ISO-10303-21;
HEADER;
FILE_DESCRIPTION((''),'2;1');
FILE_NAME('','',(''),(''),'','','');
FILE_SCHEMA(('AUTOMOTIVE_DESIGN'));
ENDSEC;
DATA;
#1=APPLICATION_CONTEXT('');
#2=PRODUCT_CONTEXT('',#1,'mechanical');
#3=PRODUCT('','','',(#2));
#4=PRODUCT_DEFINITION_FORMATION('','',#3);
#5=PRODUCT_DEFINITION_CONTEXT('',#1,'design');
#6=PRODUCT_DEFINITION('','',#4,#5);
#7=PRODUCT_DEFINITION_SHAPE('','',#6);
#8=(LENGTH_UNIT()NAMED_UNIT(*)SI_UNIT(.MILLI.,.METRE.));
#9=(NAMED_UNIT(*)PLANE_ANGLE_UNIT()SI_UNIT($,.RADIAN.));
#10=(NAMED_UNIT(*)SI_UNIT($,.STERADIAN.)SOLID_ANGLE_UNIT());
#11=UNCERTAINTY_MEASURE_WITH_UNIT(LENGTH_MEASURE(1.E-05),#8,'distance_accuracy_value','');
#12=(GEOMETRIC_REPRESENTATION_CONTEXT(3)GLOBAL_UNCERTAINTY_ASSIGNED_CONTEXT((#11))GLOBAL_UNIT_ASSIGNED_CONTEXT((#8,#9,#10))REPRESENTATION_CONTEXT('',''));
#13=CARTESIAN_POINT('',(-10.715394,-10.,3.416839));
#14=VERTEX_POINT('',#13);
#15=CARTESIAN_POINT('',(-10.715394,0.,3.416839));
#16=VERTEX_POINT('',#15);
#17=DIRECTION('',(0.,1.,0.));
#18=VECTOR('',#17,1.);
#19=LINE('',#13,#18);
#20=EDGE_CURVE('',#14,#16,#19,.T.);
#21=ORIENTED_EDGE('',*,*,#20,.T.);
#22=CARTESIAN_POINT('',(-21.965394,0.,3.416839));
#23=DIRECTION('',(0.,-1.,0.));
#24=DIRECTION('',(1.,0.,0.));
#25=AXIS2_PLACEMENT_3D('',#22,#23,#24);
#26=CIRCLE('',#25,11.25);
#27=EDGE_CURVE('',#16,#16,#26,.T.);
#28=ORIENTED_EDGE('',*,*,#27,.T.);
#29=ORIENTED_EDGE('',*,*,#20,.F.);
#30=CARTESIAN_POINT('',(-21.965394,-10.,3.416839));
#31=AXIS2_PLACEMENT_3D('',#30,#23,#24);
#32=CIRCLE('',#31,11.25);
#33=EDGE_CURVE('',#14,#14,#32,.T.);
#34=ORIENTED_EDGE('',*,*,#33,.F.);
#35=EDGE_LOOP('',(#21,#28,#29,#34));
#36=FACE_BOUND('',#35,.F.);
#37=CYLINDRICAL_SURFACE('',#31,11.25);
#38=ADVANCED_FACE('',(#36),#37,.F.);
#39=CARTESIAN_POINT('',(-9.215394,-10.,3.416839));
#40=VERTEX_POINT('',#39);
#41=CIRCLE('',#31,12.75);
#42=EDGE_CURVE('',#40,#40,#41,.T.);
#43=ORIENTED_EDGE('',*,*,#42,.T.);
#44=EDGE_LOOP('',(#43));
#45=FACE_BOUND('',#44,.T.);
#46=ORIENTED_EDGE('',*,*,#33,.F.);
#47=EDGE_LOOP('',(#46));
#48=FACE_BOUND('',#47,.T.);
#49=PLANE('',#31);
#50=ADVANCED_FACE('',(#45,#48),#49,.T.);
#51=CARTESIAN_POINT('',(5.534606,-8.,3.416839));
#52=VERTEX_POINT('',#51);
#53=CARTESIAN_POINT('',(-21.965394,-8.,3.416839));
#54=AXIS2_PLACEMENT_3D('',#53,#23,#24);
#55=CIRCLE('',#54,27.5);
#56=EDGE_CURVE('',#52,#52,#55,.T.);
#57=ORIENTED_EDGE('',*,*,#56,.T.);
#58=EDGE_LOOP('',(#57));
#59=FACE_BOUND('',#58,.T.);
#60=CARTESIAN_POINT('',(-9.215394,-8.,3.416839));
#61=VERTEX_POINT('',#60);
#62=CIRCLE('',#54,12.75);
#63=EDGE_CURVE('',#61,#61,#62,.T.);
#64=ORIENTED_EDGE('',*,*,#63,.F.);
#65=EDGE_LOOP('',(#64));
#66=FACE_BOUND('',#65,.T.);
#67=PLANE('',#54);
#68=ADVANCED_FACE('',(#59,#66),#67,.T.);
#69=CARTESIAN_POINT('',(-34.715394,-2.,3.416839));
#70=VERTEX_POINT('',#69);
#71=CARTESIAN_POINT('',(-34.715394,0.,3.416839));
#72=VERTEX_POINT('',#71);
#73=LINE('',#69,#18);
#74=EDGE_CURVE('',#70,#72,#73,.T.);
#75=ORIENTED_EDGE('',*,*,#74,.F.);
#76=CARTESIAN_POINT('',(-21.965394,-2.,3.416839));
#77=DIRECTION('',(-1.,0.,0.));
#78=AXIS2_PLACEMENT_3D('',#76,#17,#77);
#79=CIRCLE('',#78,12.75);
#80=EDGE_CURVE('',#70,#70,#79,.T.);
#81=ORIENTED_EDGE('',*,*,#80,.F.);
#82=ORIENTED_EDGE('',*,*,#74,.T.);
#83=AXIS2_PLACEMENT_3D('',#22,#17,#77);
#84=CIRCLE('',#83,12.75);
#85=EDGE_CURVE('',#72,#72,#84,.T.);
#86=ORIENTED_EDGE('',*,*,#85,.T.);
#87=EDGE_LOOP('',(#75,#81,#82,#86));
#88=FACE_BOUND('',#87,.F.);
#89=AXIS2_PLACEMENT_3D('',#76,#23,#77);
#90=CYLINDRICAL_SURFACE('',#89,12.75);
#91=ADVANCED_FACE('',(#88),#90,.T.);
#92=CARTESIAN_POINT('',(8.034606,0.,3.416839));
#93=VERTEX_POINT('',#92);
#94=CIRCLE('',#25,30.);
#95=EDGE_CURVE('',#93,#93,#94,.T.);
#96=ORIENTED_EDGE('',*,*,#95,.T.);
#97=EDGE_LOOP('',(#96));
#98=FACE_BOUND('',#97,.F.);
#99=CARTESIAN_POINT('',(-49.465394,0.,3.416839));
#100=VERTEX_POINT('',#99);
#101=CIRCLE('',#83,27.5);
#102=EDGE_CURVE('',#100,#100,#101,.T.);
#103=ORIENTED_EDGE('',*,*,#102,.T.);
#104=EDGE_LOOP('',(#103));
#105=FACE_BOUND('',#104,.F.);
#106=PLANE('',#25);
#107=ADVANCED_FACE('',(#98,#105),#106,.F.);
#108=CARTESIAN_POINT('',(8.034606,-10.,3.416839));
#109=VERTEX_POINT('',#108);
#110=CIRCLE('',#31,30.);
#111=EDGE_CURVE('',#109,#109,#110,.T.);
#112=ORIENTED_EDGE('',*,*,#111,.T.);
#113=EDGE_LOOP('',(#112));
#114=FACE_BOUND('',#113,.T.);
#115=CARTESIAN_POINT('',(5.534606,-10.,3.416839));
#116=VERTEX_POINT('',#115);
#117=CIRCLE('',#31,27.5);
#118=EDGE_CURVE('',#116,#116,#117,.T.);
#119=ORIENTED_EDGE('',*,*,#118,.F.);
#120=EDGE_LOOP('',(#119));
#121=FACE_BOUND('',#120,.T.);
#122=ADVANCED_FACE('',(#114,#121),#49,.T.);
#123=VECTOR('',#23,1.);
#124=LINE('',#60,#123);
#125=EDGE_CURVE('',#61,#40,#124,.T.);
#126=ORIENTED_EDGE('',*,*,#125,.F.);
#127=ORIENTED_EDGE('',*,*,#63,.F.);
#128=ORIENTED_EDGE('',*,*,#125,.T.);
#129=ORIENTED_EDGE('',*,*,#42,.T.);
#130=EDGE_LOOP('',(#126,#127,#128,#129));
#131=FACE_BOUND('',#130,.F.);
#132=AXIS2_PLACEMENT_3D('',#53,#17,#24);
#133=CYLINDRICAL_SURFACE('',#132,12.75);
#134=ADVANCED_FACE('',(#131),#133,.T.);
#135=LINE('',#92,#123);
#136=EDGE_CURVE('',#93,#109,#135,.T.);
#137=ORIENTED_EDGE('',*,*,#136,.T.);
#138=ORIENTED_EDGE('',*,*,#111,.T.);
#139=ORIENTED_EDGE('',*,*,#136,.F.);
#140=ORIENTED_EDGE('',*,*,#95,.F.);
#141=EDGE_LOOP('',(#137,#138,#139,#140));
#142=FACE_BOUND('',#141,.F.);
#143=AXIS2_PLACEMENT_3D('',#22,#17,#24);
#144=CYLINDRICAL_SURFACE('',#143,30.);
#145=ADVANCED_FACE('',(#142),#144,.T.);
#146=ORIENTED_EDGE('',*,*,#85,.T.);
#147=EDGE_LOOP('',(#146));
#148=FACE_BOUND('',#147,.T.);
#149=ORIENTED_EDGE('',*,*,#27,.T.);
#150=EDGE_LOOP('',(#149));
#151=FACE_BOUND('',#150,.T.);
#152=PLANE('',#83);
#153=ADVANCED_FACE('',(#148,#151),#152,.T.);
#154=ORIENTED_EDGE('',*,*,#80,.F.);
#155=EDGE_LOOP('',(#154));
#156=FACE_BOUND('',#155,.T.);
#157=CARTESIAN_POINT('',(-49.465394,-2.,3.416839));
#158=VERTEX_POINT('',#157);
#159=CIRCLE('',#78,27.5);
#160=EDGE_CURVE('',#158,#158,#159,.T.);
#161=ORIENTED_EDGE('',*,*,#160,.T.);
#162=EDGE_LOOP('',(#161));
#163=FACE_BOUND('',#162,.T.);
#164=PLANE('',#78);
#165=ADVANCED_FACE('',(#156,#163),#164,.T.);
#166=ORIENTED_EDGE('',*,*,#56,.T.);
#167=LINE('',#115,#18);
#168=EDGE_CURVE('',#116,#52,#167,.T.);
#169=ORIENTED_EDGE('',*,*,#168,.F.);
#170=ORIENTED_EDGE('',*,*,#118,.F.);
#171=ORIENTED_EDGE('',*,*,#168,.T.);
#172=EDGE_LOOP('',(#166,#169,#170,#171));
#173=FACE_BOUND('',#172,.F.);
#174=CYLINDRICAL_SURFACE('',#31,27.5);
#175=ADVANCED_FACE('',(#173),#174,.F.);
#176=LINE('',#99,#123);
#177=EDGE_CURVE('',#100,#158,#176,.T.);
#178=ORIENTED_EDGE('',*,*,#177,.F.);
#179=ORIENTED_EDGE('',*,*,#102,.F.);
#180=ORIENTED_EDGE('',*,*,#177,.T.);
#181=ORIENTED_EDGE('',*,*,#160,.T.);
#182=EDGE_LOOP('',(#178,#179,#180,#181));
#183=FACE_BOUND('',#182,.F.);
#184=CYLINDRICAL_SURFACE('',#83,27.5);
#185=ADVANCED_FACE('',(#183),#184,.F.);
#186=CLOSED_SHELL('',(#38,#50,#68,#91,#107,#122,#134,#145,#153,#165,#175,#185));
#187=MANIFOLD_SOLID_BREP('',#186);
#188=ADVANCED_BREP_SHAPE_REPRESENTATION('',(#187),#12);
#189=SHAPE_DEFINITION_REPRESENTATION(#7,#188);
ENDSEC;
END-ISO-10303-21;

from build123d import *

# Parameters (mm, degrees)
F0_R      = 30
F1_DEPTH  = 10
F2_R      = 27.5
F3_DEPTH  = 2
F4_R      = 27.5
F5_DEPTH  = 2
F6_R      = 12.75
F7_DEPTH  = 2
F8_R      = 12.75
F9_DEPTH  = 2
F10_R     = 11.25
F11_DEPTH = 10.001


with BuildPart() as f1:
    # F0 (on Front) → F1 (new body)
    with BuildSketch(Plane.XZ):
        with Locations((-21.965394, 3.416839)):
            Circle(F0_R)
    extrude(amount=F1_DEPTH)

    # F2 (on face) → F3 (cut)
    with BuildSketch(Plane.XZ.offset(10)):
        with Locations((-21.965394, 3.416839)):
            Circle(F2_R)
    extrude(amount=-F3_DEPTH, mode=Mode.SUBTRACT)

    # F4 (on face) → F5 (cut)
    with BuildSketch(Plane(origin=(0, 0, 0), x_dir=(-1, 0, 0), z_dir=(0, 1, 0))):
        with Locations((21.965394, 3.416839)):
            Circle(F4_R)
    extrude(amount=-F5_DEPTH, mode=Mode.SUBTRACT)

    # F6 (on face) → F7 (join)
    with BuildSketch(Plane(origin=(0, -2, 0), x_dir=(-1, 0, 0), z_dir=(0, 1, 0))):
        with Locations((21.965394, 3.416839)):
            Circle(F6_R)
    extrude(amount=F7_DEPTH)

    # F8 (on face) → F9 (join)
    with BuildSketch(Plane.XZ.offset(8)):
        with Locations((-21.965394, 3.416839)):
            Circle(F8_R)
    extrude(amount=F9_DEPTH)

    # F10 (on face) → F11 (cut, through all)
    with BuildSketch(Plane.XZ.offset(10)):
        with Locations((-21.965394, 3.416839)):
            Circle(F10_R)
    extrude(amount=-F11_DEPTH, mode=Mode.SUBTRACT)


solid = f1.part
